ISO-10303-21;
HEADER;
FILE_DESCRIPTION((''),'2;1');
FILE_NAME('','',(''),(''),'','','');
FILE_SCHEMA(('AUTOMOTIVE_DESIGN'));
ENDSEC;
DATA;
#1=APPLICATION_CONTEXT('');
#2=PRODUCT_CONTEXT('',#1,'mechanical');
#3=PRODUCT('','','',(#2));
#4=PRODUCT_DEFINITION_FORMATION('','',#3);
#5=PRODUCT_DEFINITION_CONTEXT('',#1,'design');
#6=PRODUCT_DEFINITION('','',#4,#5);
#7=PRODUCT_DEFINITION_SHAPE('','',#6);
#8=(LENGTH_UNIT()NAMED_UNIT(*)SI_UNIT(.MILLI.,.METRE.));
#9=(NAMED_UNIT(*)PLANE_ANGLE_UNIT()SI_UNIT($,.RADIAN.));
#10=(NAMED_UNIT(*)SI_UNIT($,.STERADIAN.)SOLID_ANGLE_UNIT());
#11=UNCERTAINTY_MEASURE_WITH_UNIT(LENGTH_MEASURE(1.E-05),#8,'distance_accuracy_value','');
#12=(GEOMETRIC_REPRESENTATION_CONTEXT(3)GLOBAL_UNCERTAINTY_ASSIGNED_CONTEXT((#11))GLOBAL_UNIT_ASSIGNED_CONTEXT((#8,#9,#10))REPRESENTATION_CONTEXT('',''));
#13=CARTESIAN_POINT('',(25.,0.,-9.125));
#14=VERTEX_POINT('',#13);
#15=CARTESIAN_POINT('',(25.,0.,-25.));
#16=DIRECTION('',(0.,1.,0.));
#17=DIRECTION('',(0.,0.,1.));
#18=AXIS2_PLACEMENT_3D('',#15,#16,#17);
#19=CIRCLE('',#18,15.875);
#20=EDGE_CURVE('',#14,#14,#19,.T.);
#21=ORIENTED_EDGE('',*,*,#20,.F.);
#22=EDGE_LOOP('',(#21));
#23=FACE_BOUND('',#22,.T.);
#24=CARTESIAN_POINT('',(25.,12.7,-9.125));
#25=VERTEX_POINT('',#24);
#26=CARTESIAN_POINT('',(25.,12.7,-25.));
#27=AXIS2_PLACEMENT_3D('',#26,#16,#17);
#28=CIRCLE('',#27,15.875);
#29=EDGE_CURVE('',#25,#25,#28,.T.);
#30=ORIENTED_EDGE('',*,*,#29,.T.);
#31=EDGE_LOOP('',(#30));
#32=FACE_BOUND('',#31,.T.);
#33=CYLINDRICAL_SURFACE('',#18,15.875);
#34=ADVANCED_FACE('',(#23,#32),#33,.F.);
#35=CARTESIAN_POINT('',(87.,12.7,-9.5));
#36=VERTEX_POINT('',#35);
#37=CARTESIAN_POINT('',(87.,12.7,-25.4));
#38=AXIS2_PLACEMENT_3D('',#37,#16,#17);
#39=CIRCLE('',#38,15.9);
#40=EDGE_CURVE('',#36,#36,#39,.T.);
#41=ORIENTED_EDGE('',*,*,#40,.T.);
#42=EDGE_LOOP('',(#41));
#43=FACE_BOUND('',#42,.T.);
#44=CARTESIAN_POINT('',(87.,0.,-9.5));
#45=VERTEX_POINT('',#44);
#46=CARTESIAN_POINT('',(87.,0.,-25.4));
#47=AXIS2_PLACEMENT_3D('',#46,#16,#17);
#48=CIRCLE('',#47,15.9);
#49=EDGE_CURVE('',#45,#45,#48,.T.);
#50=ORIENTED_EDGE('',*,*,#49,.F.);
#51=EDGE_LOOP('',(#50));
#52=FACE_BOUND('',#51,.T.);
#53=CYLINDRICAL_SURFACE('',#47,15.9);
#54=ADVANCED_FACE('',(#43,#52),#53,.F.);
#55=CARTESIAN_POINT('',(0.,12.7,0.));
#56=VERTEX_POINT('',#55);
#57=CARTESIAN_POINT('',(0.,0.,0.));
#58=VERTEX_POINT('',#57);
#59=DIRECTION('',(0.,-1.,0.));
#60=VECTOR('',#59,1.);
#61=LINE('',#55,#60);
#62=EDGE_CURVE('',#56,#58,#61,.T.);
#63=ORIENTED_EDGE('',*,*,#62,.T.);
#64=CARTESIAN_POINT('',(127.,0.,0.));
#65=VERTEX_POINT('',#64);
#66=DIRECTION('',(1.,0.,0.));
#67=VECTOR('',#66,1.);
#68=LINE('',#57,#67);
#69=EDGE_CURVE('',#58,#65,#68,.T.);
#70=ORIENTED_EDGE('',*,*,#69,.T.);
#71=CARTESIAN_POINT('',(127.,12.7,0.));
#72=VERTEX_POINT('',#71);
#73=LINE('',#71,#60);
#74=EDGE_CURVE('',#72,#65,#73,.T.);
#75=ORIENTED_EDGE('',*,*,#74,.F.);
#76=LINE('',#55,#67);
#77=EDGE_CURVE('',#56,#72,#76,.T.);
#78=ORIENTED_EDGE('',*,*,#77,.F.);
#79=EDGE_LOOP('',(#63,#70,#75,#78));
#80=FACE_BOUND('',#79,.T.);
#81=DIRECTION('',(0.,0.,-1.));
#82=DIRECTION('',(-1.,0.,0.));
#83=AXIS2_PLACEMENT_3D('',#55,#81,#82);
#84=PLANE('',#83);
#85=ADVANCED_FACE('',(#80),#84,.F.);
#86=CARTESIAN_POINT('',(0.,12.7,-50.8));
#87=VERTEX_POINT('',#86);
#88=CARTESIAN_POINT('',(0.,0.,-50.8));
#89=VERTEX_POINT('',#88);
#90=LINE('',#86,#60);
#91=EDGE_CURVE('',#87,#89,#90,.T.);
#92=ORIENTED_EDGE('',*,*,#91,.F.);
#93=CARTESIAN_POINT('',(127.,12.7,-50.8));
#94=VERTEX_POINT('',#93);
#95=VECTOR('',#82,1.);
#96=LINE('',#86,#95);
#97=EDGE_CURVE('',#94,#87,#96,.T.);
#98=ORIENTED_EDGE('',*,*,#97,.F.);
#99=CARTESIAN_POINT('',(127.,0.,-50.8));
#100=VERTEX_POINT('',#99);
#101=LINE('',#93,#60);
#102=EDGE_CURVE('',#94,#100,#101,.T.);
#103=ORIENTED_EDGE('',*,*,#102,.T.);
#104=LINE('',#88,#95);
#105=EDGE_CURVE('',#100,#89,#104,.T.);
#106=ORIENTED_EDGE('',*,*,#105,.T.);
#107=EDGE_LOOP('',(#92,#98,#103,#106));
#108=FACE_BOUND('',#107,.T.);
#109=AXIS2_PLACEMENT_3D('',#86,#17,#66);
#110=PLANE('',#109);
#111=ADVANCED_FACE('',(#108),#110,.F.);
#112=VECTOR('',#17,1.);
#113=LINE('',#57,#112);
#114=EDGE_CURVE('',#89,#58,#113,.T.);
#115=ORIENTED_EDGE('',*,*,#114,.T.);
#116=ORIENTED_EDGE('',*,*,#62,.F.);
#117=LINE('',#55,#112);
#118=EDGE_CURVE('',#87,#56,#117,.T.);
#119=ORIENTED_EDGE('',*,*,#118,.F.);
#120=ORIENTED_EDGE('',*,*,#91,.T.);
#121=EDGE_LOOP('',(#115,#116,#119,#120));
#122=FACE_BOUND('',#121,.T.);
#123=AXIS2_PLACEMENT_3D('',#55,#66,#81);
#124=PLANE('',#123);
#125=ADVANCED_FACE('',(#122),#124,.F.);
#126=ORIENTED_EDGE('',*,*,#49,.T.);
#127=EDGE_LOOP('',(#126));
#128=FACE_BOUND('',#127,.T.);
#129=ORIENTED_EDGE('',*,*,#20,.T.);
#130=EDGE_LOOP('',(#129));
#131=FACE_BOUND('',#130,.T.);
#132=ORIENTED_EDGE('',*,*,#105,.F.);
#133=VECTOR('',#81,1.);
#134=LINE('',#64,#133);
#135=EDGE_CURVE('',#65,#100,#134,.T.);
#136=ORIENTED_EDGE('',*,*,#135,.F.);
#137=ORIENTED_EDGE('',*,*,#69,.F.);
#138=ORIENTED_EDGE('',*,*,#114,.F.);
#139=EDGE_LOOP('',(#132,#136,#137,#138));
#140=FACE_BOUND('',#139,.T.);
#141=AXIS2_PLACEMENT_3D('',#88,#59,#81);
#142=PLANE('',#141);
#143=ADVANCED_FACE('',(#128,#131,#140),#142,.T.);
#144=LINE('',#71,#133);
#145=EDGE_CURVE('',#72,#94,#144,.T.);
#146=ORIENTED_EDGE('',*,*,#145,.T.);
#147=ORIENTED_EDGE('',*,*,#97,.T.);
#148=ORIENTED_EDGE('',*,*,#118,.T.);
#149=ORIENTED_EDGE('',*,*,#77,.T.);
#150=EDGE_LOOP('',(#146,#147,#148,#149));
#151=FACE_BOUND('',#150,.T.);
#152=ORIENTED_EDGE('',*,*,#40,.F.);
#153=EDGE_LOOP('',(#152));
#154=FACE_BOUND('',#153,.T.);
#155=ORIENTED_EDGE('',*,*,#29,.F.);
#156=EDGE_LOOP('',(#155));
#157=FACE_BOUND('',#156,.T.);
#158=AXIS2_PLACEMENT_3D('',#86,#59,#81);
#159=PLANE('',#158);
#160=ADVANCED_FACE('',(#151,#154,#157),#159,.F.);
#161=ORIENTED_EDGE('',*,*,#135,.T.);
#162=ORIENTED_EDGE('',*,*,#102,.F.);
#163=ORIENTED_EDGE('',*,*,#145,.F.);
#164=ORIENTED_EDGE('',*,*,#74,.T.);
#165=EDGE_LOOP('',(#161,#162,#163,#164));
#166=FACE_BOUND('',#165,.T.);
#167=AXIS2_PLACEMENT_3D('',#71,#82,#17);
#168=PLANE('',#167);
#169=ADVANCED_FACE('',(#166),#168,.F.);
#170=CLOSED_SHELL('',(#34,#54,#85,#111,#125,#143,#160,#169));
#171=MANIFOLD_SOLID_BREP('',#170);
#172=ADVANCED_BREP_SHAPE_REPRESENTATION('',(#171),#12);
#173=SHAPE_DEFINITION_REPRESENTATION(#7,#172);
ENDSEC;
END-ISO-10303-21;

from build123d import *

# Parameters (mm, degrees)
SKETCH1_W           = 127
SKETCH1_H           = 50.8
BOSS_EXTRUDE1_DEPTH = 12.7
CUT_EXTRUDE1_DEPTH  = 12.7
CUT_EXTRUDE2_DEPTH  = 13.7


with BuildPart() as part:
    # Sketch1 → Boss-Extrude1 (new body)
    with BuildSketch(Plane(origin=(0, 0, 0), x_dir=(1, 0, 0), z_dir=(0, 1, 0))):
        with Locations((63.5, 25.4)):
            Rectangle(SKETCH1_W, SKETCH1_H)
    extrude(amount=BOSS_EXTRUDE1_DEPTH)

    # Sketch2 → Cut-Extrude1 (cut)
    with BuildSketch(Plane(origin=(0, 12.7, 0), x_dir=(1, 0, 0), z_dir=(0, 1, 0))):
        with BuildLine():
            ThreePointArc((9.125, 25), (13.774679849, 13.774679849), (25, 9.125))
            Line((25, 9.125), (25, 25))
            Line((25, 25), (9.125, 25))
        make_face()
        with BuildLine():
            Line((25, 25), (25, 9.125))
            ThreePointArc((25, 9.125), (36.225320151, 13.774679849), (40.875, 25))
            ThreePointArc((40.875, 25), (25, 40.875), (9.125, 25))
            Line((9.125, 25), (25, 25))
        make_face()
    extrude(amount=-CUT_EXTRUDE1_DEPTH, mode=Mode.SUBTRACT)

    # Sketch4 → Cut-Extrude2 (cut, through all)
    with BuildSketch(Plane(origin=(0, 12.7, 0), x_dir=(1, 0, 0), z_dir=(0, 1, 0))):
        with BuildLine():
            ThreePointArc((71.1, 25.4), (75.757002179, 14.157002179), (87, 9.5))
            Line((87, 9.5), (87, 25.4))
            Line((87, 25.4), (71.1, 25.4))
        make_face()
        with BuildLine():
            Line((87, 25.4), (87, 9.5))
            ThreePointArc((87, 9.5), (98.242997821, 14.157002179), (102.9, 25.4))
            ThreePointArc((102.9, 25.4), (87, 41.3), (71.1, 25.4))
            Line((71.1, 25.4), (87, 25.4))
        make_face()
    extrude(amount=-CUT_EXTRUDE2_DEPTH, mode=Mode.SUBTRACT)


solid = part.part
